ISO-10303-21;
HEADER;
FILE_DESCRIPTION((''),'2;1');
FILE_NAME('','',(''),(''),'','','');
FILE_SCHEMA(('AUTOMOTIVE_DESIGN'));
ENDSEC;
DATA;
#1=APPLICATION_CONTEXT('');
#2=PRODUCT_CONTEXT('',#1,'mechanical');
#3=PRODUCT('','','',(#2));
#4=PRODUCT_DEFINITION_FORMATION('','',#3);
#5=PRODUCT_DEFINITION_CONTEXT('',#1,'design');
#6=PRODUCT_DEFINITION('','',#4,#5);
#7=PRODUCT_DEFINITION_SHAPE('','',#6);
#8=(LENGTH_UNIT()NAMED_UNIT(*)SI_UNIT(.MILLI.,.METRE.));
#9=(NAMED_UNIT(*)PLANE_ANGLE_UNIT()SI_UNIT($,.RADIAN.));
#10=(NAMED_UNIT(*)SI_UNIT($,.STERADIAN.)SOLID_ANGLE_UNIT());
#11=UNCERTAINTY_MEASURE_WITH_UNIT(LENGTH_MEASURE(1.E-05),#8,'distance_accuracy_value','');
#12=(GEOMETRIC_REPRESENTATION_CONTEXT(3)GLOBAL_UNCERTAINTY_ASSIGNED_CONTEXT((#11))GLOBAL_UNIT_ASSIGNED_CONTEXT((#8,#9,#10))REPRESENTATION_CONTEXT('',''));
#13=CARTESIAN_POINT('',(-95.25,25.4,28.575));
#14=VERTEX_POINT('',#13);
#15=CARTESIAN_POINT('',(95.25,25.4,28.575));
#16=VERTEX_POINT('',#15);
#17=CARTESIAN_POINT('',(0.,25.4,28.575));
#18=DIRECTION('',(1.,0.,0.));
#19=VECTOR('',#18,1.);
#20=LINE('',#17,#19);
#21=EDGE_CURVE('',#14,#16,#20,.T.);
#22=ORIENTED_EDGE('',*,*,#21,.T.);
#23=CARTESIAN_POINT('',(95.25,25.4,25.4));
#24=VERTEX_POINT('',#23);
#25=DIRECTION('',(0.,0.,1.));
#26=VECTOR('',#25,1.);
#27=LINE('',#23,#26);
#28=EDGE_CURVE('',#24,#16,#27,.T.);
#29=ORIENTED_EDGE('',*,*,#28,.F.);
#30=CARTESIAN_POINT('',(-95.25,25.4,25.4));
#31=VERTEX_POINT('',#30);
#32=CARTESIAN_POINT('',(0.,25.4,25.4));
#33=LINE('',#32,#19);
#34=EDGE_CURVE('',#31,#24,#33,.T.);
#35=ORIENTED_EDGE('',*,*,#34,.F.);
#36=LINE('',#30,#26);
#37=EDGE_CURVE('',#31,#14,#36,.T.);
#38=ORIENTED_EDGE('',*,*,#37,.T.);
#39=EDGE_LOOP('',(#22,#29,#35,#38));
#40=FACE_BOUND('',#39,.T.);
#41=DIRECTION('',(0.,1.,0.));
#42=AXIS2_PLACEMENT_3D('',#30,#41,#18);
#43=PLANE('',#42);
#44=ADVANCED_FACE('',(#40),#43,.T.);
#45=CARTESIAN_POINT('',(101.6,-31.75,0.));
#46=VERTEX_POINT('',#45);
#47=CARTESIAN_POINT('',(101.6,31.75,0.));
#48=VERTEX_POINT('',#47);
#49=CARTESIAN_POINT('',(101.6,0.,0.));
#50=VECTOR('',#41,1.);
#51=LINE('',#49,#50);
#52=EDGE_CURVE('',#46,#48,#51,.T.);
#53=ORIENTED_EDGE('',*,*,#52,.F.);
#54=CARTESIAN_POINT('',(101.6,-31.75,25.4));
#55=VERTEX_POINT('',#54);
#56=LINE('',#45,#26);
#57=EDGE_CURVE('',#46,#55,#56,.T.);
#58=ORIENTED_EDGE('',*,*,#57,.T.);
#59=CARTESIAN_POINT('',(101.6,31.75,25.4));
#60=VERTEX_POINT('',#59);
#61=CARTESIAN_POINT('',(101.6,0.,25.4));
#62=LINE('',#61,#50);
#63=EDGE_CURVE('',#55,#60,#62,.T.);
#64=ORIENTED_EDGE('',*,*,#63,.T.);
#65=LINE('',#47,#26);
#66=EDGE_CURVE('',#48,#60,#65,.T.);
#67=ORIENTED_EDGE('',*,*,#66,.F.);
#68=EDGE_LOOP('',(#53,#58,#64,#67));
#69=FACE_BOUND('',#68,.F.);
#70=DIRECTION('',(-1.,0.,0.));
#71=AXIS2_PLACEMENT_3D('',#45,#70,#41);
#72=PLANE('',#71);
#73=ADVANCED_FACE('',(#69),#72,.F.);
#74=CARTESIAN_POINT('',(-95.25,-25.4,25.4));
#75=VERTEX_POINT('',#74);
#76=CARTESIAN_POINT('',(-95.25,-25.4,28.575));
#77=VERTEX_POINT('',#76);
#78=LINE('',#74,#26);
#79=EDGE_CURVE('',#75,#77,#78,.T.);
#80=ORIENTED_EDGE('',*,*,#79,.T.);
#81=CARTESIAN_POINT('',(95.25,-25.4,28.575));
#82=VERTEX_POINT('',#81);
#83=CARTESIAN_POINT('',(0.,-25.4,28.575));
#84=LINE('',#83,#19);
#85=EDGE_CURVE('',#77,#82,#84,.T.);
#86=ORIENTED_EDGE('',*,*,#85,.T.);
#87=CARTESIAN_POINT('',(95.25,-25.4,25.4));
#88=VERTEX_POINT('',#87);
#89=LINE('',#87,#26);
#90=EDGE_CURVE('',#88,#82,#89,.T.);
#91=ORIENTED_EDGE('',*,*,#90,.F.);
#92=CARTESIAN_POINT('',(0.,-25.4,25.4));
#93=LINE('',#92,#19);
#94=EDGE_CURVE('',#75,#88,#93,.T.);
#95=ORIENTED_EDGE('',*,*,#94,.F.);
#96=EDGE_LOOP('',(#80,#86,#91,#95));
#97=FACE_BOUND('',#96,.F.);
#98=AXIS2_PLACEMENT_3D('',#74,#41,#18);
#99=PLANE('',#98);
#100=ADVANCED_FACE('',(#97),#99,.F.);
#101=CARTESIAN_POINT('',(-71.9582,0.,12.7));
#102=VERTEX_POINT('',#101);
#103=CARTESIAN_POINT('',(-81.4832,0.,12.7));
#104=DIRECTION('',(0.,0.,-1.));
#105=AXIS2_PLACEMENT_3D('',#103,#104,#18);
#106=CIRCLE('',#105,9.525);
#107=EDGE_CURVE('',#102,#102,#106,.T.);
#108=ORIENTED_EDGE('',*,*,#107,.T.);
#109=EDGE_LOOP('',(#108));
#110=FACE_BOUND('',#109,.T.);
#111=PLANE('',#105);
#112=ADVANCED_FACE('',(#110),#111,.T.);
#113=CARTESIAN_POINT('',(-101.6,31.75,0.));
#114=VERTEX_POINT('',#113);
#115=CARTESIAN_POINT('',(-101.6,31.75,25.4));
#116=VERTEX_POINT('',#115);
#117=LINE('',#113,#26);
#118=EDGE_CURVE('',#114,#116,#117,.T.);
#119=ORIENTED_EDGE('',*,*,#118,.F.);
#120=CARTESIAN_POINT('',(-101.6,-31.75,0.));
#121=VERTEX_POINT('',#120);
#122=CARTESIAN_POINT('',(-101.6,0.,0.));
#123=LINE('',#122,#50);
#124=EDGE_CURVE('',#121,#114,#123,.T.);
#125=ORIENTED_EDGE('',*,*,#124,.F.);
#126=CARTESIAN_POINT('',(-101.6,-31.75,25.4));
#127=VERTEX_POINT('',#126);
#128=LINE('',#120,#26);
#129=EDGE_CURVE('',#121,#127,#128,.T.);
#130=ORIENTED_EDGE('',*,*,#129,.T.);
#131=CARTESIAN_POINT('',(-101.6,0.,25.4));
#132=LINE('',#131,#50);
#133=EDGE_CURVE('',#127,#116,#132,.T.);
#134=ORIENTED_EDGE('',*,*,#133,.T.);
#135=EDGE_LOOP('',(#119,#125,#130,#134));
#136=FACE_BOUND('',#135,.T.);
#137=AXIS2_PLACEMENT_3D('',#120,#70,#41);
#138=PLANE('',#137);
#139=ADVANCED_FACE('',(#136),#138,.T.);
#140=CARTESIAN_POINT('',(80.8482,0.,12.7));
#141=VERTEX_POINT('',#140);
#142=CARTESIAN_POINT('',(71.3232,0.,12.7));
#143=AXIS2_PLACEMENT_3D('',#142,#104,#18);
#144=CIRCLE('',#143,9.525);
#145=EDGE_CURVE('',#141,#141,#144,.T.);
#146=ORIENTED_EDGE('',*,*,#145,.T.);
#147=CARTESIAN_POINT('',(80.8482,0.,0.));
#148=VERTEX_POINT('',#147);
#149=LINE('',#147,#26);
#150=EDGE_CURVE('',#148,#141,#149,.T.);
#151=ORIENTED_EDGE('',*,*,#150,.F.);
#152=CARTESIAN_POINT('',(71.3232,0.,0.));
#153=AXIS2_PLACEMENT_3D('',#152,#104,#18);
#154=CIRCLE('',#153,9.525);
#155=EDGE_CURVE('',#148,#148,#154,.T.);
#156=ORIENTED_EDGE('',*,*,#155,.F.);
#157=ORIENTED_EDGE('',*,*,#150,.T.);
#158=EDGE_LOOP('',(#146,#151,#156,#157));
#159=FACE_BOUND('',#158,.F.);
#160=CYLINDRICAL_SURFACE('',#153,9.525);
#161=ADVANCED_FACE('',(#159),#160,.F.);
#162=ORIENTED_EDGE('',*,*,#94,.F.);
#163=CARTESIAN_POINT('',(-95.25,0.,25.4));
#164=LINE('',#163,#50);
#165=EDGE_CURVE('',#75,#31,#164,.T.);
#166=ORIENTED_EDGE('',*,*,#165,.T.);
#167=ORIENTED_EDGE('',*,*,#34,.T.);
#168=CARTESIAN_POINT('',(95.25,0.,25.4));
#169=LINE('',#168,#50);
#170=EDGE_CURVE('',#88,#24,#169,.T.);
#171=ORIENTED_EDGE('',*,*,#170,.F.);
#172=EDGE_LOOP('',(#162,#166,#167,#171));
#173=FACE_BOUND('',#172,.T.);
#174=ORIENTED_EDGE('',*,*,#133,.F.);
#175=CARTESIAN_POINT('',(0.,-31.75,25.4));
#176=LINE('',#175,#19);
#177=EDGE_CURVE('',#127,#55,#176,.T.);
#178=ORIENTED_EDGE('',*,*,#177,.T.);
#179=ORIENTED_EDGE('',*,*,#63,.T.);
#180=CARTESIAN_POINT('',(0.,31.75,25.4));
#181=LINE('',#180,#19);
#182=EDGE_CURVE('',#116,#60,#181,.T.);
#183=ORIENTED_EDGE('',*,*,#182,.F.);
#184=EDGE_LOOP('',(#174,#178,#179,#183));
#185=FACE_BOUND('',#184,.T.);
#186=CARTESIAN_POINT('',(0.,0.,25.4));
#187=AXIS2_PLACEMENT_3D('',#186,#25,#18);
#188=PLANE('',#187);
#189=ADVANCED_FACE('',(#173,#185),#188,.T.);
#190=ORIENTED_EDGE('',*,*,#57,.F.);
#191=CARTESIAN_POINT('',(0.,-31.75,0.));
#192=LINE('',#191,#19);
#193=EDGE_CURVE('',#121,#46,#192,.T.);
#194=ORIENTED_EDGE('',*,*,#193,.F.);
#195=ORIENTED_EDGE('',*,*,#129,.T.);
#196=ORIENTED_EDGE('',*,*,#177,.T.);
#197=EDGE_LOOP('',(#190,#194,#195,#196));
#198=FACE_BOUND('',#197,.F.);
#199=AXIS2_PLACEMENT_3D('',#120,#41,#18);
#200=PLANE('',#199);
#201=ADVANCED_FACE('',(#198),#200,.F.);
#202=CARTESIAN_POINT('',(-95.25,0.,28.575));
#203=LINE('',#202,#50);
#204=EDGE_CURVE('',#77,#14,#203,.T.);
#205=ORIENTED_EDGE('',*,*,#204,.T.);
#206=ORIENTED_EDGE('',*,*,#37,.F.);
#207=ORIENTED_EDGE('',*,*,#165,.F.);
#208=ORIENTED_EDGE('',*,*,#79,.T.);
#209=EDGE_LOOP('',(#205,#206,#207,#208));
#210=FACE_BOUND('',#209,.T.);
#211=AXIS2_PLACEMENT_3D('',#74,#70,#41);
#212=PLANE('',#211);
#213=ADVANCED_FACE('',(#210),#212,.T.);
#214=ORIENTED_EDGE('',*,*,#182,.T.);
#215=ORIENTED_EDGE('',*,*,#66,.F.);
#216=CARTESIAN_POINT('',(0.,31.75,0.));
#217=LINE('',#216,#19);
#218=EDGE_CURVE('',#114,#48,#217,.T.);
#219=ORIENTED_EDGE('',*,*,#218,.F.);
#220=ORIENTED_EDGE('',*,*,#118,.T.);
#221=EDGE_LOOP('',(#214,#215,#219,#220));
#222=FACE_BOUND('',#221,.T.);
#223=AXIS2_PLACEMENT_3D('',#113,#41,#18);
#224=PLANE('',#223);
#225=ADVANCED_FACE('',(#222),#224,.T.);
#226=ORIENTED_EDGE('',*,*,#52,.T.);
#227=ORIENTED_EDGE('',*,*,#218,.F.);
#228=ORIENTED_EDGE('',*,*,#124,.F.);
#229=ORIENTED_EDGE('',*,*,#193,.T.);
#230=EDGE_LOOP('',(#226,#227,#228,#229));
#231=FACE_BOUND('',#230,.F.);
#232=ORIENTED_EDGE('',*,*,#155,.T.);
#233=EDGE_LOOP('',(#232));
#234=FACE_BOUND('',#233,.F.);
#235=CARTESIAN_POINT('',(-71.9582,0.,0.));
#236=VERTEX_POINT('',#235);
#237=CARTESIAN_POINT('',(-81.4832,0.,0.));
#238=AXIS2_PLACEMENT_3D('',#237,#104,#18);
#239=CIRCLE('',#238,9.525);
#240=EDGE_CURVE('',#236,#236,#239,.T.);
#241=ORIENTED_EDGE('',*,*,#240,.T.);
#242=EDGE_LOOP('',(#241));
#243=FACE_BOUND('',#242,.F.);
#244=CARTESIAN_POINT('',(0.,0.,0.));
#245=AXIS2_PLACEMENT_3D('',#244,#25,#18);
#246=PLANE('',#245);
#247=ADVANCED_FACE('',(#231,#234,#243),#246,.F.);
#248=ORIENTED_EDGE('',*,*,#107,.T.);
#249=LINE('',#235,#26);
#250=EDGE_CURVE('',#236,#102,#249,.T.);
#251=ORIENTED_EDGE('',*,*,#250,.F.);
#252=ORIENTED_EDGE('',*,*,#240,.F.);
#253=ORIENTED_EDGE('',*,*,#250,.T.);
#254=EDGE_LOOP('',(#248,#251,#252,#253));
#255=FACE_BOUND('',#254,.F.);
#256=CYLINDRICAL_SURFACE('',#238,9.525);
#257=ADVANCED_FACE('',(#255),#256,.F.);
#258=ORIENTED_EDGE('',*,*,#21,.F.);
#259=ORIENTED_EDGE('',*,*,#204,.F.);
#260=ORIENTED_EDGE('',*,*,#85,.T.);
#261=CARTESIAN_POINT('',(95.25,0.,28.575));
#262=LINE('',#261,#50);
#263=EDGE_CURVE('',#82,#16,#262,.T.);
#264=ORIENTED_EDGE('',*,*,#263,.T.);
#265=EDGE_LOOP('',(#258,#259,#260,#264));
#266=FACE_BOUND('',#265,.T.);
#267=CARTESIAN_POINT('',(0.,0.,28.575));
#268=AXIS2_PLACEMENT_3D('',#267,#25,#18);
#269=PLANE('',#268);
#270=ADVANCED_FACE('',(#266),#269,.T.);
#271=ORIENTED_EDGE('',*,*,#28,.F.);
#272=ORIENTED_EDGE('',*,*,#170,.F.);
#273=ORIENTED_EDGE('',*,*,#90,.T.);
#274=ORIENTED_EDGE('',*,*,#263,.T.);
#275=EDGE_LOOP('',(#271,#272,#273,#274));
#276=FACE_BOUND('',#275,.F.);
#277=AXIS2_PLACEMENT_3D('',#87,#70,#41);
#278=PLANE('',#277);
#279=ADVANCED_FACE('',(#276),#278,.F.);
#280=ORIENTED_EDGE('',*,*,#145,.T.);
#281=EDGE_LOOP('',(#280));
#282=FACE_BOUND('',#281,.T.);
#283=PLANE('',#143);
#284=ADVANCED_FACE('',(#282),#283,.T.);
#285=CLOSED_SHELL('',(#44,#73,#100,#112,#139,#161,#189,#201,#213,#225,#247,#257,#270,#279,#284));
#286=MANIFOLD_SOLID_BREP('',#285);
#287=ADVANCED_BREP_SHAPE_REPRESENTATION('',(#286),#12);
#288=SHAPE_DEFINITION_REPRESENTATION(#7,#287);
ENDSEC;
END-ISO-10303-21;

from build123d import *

# Parameters (mm, degrees)
F0_W     = 203.2
F0_H     = 63.5
F1_DEPTH = 25.4
F2_R     = 9.525
F3_DEPTH = 12.7
F4_W     = 190.5
F4_H     = 50.8
F5_DEPTH = 3.175


with BuildPart() as f1:
    # F0 (on Top) → F1 (new body)
    with BuildSketch(Plane.XY):
        Rectangle(F0_W, F0_H)
    extrude(amount=F1_DEPTH)

    # F2 (on face) → F3 (cut)
    with BuildSketch(Plane(origin=(0, 0, 0), x_dir=(1, 0, 0), z_dir=(0, 0, -1))):
        with Locations((-81.4832, 0)):
            Circle(F2_R)
        with Locations((71.3232, 0)):
            Circle(F2_R)
    extrude(amount=-F3_DEPTH, mode=Mode.SUBTRACT)

    # F4 (on face) → F5 (join)
    with BuildSketch(Plane.XY.offset(25.4)):
        Rectangle(F4_W, F4_H)
    extrude(amount=F5_DEPTH)


solid = f1.part
